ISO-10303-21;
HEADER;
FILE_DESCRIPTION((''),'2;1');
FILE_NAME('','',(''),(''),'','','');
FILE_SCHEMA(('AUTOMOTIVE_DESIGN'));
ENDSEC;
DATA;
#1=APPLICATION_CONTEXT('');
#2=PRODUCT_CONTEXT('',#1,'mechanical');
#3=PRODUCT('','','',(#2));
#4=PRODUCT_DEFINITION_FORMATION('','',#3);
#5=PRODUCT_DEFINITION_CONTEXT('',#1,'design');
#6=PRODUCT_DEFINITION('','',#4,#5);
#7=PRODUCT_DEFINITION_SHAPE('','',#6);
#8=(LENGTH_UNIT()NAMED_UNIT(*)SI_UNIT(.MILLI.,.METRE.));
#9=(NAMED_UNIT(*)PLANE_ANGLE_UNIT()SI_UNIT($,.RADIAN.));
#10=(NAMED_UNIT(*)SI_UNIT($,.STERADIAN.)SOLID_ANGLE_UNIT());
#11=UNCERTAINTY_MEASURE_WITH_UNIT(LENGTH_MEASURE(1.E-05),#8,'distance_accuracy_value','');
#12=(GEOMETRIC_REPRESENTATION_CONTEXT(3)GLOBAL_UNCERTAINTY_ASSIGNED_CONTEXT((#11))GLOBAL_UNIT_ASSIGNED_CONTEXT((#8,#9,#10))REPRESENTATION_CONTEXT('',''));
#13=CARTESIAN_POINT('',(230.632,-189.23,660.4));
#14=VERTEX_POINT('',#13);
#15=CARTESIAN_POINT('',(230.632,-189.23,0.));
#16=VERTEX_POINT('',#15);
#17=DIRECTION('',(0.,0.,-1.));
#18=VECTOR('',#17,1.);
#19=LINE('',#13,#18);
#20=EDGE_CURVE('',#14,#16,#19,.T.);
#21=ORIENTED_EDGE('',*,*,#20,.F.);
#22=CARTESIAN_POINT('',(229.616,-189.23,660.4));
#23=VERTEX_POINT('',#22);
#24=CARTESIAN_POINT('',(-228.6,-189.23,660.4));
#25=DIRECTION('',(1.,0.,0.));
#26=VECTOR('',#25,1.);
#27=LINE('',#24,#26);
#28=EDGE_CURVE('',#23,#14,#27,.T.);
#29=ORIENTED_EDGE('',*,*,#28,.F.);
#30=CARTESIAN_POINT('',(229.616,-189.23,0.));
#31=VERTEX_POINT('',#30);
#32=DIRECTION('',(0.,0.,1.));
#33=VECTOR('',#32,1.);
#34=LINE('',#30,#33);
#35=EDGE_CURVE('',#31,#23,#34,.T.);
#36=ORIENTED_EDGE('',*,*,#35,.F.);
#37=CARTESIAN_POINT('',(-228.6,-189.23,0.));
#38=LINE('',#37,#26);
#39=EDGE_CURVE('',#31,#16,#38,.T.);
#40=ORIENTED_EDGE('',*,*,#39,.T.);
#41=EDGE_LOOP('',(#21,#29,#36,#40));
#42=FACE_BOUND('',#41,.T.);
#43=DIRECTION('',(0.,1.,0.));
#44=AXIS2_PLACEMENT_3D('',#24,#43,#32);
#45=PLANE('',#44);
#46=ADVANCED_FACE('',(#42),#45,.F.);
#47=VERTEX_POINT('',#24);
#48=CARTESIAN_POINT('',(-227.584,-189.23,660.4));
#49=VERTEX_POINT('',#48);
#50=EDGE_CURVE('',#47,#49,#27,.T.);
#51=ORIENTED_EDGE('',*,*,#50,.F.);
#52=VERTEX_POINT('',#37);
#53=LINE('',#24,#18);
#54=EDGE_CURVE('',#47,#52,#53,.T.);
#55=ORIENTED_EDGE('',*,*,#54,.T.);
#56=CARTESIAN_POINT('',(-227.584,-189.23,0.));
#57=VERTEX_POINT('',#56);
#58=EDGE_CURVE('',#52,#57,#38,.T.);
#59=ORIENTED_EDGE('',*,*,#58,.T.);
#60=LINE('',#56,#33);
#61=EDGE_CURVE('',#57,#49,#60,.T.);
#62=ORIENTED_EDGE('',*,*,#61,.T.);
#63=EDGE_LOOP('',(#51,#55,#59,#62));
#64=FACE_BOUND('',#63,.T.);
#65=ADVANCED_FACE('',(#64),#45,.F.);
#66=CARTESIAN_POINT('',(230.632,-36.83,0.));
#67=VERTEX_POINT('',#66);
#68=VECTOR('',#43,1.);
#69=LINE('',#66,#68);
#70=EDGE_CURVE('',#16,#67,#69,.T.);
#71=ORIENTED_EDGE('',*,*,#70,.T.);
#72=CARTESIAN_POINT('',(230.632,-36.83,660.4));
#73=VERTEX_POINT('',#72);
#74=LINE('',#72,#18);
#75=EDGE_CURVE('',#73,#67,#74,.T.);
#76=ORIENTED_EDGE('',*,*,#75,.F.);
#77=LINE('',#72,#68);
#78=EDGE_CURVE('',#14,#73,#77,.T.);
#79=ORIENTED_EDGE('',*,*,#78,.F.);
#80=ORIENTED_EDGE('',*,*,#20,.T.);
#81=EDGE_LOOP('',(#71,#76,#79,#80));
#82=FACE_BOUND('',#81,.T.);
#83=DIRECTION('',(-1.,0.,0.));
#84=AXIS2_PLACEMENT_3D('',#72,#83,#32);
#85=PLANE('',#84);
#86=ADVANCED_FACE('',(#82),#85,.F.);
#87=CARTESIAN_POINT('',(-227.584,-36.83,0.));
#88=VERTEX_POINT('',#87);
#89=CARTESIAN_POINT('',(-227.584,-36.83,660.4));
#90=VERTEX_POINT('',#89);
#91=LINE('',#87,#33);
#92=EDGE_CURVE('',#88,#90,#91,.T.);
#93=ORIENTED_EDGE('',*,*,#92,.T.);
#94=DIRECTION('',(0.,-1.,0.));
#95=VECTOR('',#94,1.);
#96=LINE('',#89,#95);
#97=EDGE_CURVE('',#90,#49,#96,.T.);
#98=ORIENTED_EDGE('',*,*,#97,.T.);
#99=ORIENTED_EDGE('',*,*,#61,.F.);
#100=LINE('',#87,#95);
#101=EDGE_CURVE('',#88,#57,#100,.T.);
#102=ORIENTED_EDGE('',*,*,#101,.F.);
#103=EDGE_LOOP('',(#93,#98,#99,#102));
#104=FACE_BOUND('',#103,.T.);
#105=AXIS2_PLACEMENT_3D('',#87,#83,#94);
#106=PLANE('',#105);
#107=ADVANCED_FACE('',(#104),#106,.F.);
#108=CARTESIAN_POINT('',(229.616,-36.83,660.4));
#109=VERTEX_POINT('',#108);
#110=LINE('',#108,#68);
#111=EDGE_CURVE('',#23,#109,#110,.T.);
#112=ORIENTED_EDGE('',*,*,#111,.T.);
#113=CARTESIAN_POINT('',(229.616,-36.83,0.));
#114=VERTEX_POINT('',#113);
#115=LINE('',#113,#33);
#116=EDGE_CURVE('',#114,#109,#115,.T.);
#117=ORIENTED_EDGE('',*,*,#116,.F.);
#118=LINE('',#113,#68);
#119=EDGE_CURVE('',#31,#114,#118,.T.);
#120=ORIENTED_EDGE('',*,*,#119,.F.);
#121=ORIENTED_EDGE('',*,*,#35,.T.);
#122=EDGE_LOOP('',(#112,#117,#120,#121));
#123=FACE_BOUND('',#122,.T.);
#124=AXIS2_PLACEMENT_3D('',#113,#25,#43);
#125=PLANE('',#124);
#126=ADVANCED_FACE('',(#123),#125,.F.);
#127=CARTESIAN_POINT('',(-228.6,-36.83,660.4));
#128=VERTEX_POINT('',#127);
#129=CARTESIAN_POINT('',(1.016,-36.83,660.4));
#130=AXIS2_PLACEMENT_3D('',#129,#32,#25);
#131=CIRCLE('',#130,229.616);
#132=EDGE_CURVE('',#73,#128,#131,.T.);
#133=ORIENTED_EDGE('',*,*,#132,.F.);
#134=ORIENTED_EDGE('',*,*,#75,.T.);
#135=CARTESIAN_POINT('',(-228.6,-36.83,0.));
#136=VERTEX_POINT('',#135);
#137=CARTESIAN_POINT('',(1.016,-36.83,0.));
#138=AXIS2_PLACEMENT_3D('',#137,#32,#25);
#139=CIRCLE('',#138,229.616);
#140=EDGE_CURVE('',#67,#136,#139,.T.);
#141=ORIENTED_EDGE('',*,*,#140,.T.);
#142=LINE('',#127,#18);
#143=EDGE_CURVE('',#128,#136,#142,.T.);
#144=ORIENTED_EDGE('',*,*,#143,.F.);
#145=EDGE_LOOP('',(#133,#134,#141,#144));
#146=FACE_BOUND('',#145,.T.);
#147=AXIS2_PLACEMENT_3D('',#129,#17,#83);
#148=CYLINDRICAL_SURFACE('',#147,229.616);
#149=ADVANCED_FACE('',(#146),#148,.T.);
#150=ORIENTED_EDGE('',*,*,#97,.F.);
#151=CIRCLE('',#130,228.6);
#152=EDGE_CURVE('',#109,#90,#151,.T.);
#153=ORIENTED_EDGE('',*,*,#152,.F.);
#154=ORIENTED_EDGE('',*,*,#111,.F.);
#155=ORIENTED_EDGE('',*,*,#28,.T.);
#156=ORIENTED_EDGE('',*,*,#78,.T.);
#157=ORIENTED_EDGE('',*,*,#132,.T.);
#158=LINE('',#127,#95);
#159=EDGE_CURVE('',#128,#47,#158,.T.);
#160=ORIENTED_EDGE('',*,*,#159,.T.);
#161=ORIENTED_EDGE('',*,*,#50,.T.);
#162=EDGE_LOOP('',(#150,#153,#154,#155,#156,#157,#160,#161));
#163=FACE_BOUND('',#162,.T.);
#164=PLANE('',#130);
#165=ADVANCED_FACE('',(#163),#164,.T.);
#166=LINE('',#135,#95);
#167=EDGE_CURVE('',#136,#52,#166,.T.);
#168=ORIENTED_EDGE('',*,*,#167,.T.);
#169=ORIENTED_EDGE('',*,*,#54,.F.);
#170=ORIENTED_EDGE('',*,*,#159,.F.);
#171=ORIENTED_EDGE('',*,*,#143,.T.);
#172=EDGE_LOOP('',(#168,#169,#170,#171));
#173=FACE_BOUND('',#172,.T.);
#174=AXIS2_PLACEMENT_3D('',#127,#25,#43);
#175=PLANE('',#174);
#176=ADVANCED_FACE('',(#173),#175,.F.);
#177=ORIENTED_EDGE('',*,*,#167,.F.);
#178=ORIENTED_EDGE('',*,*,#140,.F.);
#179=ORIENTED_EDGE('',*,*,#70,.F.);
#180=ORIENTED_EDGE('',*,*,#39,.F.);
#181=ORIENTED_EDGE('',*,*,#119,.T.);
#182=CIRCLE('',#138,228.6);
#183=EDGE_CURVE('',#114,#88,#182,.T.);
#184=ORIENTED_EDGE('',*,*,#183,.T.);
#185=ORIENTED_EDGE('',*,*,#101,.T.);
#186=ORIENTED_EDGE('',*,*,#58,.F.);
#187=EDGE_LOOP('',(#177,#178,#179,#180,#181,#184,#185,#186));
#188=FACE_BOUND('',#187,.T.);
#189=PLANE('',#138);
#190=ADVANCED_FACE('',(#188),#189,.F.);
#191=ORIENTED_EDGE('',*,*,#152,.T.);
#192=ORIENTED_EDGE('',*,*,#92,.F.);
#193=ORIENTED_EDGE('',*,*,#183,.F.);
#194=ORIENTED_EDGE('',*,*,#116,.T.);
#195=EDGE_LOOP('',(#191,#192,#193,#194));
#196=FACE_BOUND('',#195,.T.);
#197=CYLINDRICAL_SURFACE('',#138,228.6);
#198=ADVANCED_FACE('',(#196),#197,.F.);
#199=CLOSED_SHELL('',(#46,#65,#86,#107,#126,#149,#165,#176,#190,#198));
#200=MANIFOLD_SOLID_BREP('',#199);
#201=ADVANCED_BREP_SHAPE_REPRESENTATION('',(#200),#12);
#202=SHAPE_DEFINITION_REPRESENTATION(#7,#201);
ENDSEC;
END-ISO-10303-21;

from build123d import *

# Parameters (mm, degrees)
BOSS_EXTRUDE1_DEPTH = 660.4
CUT_EXTRUDE1_DEPTH  = 660.4


with BuildPart() as part:
    # Sketch1 → Boss-Extrude1 (new body)
    with BuildSketch(Plane.XY):
        with BuildLine():
            Line((-228.6, -36.83), (-228.6, -189.23))
            Line((-228.6, -189.23), (230.632, -189.23))
            Line((230.632, -189.23), (230.632, -36.83))
            ThreePointArc((230.632, -36.83), (1.016, 192.786), (-228.6, -36.83))
        make_face()
    extrude(amount=BOSS_EXTRUDE1_DEPTH)

    # Sketch2 → Cut-Extrude1 (cut)
    with BuildSketch(Plane.XY.offset(660.4)):
        with BuildLine():
            Line((-227.584, -36.83), (-227.584, -189.23))
            Line((-227.584, -189.23), (229.616, -189.23))
            Line((229.616, -189.23), (229.616, -36.83))
            ThreePointArc((229.616, -36.83), (1.016, 191.77), (-227.584, -36.83))
        make_face()
    extrude(amount=-CUT_EXTRUDE1_DEPTH, mode=Mode.SUBTRACT)


solid = part.part
